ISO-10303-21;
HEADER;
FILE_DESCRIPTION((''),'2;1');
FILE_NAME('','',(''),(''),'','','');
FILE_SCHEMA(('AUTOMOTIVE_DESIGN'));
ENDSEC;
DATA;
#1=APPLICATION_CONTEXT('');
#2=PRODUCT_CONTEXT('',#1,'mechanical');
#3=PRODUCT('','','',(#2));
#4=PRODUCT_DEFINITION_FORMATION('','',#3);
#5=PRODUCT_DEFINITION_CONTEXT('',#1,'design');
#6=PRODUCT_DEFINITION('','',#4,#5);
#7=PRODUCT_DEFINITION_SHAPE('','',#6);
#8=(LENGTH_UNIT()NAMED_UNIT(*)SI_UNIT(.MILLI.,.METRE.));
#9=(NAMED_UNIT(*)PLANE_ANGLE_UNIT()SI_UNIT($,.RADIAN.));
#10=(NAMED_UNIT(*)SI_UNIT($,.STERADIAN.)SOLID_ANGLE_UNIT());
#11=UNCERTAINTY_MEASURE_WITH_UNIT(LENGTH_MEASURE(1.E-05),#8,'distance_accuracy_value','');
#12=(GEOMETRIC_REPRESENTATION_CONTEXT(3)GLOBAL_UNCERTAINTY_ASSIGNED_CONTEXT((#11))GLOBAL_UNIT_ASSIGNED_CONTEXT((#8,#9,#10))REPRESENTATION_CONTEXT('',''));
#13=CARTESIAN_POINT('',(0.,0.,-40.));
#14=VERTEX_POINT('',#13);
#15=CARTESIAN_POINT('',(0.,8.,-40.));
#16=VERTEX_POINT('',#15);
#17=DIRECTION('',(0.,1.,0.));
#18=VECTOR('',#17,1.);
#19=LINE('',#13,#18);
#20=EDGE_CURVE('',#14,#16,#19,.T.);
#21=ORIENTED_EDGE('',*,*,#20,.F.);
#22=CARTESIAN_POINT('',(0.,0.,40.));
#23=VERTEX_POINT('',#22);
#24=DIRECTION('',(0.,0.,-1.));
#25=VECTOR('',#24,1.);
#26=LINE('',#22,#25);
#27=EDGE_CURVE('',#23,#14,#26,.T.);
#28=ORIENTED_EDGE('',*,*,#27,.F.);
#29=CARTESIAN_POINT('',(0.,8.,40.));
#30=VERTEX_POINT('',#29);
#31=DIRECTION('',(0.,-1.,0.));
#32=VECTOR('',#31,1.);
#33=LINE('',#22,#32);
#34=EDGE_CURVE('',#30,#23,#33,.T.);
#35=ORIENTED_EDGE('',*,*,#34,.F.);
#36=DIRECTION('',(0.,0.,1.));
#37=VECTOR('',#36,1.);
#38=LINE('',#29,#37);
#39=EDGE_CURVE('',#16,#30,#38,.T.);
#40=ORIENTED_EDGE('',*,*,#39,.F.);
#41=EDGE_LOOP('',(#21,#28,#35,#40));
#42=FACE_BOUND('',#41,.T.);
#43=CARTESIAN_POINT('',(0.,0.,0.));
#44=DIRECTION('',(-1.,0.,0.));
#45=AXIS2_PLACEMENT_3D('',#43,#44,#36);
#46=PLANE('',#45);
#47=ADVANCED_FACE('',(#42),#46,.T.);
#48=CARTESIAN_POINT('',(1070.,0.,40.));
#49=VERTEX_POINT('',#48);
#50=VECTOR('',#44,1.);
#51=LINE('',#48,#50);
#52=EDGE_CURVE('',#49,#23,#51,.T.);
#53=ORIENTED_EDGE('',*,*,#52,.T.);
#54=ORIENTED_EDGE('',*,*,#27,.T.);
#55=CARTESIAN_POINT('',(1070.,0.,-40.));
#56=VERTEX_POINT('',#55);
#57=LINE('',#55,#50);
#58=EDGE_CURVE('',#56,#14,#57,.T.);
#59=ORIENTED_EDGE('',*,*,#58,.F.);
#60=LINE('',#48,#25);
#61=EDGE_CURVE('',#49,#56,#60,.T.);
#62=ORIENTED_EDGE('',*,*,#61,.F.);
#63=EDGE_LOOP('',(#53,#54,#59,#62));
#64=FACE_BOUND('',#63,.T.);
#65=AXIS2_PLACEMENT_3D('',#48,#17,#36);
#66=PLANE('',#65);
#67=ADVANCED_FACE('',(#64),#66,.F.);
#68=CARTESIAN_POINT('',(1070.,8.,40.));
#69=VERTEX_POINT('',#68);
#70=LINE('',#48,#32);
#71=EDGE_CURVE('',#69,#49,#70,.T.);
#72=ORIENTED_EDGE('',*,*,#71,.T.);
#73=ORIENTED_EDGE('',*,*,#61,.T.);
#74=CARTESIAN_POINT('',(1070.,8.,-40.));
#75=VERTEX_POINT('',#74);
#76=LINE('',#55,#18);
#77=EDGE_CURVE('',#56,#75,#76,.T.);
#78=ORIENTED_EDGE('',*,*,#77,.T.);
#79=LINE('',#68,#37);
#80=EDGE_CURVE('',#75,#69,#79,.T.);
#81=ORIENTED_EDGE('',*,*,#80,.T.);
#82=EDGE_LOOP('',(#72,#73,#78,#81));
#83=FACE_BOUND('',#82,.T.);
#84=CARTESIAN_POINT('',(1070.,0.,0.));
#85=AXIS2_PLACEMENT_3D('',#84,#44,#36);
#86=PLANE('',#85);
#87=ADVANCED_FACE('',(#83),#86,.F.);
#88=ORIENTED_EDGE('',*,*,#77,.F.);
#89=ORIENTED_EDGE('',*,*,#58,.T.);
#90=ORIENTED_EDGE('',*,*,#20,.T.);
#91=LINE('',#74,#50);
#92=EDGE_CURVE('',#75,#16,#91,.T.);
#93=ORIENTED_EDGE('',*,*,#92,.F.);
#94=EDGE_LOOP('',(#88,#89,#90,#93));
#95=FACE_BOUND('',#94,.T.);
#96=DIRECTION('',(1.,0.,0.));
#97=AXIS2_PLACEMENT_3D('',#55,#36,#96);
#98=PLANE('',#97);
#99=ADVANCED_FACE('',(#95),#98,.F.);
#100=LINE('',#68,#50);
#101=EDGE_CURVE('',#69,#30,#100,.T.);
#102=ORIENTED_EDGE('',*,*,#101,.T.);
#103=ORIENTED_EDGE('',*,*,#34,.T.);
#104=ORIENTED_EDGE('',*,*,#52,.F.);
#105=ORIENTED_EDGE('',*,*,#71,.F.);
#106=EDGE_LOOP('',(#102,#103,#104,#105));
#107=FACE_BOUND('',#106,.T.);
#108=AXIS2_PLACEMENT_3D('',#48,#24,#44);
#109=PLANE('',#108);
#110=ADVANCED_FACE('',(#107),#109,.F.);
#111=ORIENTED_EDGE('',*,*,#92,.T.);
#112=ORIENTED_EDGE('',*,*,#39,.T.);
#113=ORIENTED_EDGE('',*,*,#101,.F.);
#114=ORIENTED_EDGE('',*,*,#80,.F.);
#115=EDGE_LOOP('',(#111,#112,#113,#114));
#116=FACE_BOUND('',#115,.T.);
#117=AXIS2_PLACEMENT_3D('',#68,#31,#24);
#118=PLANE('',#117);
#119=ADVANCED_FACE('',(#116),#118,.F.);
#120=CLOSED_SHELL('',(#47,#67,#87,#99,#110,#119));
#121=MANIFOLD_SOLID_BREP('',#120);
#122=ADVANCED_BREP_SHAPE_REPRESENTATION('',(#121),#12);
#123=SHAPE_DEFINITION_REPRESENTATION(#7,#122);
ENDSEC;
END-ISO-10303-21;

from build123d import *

# Parameters (mm, degrees)
SKETCH_1_W      = 80
SKETCH_1_H      = 8
EXTRUDE_1_DEPTH = 1070


with BuildPart() as part:
    # Эскиз1 → Бобышка-Вытянуть1 (new body)
    with BuildSketch(Plane(origin=(0, 0, 0), x_dir=(0, 0, -1), z_dir=(1, 0, 0))):
        with Locations((0, 4)):
            Rectangle(SKETCH_1_W, SKETCH_1_H)
    extrude(amount=EXTRUDE_1_DEPTH)


solid = part.part
